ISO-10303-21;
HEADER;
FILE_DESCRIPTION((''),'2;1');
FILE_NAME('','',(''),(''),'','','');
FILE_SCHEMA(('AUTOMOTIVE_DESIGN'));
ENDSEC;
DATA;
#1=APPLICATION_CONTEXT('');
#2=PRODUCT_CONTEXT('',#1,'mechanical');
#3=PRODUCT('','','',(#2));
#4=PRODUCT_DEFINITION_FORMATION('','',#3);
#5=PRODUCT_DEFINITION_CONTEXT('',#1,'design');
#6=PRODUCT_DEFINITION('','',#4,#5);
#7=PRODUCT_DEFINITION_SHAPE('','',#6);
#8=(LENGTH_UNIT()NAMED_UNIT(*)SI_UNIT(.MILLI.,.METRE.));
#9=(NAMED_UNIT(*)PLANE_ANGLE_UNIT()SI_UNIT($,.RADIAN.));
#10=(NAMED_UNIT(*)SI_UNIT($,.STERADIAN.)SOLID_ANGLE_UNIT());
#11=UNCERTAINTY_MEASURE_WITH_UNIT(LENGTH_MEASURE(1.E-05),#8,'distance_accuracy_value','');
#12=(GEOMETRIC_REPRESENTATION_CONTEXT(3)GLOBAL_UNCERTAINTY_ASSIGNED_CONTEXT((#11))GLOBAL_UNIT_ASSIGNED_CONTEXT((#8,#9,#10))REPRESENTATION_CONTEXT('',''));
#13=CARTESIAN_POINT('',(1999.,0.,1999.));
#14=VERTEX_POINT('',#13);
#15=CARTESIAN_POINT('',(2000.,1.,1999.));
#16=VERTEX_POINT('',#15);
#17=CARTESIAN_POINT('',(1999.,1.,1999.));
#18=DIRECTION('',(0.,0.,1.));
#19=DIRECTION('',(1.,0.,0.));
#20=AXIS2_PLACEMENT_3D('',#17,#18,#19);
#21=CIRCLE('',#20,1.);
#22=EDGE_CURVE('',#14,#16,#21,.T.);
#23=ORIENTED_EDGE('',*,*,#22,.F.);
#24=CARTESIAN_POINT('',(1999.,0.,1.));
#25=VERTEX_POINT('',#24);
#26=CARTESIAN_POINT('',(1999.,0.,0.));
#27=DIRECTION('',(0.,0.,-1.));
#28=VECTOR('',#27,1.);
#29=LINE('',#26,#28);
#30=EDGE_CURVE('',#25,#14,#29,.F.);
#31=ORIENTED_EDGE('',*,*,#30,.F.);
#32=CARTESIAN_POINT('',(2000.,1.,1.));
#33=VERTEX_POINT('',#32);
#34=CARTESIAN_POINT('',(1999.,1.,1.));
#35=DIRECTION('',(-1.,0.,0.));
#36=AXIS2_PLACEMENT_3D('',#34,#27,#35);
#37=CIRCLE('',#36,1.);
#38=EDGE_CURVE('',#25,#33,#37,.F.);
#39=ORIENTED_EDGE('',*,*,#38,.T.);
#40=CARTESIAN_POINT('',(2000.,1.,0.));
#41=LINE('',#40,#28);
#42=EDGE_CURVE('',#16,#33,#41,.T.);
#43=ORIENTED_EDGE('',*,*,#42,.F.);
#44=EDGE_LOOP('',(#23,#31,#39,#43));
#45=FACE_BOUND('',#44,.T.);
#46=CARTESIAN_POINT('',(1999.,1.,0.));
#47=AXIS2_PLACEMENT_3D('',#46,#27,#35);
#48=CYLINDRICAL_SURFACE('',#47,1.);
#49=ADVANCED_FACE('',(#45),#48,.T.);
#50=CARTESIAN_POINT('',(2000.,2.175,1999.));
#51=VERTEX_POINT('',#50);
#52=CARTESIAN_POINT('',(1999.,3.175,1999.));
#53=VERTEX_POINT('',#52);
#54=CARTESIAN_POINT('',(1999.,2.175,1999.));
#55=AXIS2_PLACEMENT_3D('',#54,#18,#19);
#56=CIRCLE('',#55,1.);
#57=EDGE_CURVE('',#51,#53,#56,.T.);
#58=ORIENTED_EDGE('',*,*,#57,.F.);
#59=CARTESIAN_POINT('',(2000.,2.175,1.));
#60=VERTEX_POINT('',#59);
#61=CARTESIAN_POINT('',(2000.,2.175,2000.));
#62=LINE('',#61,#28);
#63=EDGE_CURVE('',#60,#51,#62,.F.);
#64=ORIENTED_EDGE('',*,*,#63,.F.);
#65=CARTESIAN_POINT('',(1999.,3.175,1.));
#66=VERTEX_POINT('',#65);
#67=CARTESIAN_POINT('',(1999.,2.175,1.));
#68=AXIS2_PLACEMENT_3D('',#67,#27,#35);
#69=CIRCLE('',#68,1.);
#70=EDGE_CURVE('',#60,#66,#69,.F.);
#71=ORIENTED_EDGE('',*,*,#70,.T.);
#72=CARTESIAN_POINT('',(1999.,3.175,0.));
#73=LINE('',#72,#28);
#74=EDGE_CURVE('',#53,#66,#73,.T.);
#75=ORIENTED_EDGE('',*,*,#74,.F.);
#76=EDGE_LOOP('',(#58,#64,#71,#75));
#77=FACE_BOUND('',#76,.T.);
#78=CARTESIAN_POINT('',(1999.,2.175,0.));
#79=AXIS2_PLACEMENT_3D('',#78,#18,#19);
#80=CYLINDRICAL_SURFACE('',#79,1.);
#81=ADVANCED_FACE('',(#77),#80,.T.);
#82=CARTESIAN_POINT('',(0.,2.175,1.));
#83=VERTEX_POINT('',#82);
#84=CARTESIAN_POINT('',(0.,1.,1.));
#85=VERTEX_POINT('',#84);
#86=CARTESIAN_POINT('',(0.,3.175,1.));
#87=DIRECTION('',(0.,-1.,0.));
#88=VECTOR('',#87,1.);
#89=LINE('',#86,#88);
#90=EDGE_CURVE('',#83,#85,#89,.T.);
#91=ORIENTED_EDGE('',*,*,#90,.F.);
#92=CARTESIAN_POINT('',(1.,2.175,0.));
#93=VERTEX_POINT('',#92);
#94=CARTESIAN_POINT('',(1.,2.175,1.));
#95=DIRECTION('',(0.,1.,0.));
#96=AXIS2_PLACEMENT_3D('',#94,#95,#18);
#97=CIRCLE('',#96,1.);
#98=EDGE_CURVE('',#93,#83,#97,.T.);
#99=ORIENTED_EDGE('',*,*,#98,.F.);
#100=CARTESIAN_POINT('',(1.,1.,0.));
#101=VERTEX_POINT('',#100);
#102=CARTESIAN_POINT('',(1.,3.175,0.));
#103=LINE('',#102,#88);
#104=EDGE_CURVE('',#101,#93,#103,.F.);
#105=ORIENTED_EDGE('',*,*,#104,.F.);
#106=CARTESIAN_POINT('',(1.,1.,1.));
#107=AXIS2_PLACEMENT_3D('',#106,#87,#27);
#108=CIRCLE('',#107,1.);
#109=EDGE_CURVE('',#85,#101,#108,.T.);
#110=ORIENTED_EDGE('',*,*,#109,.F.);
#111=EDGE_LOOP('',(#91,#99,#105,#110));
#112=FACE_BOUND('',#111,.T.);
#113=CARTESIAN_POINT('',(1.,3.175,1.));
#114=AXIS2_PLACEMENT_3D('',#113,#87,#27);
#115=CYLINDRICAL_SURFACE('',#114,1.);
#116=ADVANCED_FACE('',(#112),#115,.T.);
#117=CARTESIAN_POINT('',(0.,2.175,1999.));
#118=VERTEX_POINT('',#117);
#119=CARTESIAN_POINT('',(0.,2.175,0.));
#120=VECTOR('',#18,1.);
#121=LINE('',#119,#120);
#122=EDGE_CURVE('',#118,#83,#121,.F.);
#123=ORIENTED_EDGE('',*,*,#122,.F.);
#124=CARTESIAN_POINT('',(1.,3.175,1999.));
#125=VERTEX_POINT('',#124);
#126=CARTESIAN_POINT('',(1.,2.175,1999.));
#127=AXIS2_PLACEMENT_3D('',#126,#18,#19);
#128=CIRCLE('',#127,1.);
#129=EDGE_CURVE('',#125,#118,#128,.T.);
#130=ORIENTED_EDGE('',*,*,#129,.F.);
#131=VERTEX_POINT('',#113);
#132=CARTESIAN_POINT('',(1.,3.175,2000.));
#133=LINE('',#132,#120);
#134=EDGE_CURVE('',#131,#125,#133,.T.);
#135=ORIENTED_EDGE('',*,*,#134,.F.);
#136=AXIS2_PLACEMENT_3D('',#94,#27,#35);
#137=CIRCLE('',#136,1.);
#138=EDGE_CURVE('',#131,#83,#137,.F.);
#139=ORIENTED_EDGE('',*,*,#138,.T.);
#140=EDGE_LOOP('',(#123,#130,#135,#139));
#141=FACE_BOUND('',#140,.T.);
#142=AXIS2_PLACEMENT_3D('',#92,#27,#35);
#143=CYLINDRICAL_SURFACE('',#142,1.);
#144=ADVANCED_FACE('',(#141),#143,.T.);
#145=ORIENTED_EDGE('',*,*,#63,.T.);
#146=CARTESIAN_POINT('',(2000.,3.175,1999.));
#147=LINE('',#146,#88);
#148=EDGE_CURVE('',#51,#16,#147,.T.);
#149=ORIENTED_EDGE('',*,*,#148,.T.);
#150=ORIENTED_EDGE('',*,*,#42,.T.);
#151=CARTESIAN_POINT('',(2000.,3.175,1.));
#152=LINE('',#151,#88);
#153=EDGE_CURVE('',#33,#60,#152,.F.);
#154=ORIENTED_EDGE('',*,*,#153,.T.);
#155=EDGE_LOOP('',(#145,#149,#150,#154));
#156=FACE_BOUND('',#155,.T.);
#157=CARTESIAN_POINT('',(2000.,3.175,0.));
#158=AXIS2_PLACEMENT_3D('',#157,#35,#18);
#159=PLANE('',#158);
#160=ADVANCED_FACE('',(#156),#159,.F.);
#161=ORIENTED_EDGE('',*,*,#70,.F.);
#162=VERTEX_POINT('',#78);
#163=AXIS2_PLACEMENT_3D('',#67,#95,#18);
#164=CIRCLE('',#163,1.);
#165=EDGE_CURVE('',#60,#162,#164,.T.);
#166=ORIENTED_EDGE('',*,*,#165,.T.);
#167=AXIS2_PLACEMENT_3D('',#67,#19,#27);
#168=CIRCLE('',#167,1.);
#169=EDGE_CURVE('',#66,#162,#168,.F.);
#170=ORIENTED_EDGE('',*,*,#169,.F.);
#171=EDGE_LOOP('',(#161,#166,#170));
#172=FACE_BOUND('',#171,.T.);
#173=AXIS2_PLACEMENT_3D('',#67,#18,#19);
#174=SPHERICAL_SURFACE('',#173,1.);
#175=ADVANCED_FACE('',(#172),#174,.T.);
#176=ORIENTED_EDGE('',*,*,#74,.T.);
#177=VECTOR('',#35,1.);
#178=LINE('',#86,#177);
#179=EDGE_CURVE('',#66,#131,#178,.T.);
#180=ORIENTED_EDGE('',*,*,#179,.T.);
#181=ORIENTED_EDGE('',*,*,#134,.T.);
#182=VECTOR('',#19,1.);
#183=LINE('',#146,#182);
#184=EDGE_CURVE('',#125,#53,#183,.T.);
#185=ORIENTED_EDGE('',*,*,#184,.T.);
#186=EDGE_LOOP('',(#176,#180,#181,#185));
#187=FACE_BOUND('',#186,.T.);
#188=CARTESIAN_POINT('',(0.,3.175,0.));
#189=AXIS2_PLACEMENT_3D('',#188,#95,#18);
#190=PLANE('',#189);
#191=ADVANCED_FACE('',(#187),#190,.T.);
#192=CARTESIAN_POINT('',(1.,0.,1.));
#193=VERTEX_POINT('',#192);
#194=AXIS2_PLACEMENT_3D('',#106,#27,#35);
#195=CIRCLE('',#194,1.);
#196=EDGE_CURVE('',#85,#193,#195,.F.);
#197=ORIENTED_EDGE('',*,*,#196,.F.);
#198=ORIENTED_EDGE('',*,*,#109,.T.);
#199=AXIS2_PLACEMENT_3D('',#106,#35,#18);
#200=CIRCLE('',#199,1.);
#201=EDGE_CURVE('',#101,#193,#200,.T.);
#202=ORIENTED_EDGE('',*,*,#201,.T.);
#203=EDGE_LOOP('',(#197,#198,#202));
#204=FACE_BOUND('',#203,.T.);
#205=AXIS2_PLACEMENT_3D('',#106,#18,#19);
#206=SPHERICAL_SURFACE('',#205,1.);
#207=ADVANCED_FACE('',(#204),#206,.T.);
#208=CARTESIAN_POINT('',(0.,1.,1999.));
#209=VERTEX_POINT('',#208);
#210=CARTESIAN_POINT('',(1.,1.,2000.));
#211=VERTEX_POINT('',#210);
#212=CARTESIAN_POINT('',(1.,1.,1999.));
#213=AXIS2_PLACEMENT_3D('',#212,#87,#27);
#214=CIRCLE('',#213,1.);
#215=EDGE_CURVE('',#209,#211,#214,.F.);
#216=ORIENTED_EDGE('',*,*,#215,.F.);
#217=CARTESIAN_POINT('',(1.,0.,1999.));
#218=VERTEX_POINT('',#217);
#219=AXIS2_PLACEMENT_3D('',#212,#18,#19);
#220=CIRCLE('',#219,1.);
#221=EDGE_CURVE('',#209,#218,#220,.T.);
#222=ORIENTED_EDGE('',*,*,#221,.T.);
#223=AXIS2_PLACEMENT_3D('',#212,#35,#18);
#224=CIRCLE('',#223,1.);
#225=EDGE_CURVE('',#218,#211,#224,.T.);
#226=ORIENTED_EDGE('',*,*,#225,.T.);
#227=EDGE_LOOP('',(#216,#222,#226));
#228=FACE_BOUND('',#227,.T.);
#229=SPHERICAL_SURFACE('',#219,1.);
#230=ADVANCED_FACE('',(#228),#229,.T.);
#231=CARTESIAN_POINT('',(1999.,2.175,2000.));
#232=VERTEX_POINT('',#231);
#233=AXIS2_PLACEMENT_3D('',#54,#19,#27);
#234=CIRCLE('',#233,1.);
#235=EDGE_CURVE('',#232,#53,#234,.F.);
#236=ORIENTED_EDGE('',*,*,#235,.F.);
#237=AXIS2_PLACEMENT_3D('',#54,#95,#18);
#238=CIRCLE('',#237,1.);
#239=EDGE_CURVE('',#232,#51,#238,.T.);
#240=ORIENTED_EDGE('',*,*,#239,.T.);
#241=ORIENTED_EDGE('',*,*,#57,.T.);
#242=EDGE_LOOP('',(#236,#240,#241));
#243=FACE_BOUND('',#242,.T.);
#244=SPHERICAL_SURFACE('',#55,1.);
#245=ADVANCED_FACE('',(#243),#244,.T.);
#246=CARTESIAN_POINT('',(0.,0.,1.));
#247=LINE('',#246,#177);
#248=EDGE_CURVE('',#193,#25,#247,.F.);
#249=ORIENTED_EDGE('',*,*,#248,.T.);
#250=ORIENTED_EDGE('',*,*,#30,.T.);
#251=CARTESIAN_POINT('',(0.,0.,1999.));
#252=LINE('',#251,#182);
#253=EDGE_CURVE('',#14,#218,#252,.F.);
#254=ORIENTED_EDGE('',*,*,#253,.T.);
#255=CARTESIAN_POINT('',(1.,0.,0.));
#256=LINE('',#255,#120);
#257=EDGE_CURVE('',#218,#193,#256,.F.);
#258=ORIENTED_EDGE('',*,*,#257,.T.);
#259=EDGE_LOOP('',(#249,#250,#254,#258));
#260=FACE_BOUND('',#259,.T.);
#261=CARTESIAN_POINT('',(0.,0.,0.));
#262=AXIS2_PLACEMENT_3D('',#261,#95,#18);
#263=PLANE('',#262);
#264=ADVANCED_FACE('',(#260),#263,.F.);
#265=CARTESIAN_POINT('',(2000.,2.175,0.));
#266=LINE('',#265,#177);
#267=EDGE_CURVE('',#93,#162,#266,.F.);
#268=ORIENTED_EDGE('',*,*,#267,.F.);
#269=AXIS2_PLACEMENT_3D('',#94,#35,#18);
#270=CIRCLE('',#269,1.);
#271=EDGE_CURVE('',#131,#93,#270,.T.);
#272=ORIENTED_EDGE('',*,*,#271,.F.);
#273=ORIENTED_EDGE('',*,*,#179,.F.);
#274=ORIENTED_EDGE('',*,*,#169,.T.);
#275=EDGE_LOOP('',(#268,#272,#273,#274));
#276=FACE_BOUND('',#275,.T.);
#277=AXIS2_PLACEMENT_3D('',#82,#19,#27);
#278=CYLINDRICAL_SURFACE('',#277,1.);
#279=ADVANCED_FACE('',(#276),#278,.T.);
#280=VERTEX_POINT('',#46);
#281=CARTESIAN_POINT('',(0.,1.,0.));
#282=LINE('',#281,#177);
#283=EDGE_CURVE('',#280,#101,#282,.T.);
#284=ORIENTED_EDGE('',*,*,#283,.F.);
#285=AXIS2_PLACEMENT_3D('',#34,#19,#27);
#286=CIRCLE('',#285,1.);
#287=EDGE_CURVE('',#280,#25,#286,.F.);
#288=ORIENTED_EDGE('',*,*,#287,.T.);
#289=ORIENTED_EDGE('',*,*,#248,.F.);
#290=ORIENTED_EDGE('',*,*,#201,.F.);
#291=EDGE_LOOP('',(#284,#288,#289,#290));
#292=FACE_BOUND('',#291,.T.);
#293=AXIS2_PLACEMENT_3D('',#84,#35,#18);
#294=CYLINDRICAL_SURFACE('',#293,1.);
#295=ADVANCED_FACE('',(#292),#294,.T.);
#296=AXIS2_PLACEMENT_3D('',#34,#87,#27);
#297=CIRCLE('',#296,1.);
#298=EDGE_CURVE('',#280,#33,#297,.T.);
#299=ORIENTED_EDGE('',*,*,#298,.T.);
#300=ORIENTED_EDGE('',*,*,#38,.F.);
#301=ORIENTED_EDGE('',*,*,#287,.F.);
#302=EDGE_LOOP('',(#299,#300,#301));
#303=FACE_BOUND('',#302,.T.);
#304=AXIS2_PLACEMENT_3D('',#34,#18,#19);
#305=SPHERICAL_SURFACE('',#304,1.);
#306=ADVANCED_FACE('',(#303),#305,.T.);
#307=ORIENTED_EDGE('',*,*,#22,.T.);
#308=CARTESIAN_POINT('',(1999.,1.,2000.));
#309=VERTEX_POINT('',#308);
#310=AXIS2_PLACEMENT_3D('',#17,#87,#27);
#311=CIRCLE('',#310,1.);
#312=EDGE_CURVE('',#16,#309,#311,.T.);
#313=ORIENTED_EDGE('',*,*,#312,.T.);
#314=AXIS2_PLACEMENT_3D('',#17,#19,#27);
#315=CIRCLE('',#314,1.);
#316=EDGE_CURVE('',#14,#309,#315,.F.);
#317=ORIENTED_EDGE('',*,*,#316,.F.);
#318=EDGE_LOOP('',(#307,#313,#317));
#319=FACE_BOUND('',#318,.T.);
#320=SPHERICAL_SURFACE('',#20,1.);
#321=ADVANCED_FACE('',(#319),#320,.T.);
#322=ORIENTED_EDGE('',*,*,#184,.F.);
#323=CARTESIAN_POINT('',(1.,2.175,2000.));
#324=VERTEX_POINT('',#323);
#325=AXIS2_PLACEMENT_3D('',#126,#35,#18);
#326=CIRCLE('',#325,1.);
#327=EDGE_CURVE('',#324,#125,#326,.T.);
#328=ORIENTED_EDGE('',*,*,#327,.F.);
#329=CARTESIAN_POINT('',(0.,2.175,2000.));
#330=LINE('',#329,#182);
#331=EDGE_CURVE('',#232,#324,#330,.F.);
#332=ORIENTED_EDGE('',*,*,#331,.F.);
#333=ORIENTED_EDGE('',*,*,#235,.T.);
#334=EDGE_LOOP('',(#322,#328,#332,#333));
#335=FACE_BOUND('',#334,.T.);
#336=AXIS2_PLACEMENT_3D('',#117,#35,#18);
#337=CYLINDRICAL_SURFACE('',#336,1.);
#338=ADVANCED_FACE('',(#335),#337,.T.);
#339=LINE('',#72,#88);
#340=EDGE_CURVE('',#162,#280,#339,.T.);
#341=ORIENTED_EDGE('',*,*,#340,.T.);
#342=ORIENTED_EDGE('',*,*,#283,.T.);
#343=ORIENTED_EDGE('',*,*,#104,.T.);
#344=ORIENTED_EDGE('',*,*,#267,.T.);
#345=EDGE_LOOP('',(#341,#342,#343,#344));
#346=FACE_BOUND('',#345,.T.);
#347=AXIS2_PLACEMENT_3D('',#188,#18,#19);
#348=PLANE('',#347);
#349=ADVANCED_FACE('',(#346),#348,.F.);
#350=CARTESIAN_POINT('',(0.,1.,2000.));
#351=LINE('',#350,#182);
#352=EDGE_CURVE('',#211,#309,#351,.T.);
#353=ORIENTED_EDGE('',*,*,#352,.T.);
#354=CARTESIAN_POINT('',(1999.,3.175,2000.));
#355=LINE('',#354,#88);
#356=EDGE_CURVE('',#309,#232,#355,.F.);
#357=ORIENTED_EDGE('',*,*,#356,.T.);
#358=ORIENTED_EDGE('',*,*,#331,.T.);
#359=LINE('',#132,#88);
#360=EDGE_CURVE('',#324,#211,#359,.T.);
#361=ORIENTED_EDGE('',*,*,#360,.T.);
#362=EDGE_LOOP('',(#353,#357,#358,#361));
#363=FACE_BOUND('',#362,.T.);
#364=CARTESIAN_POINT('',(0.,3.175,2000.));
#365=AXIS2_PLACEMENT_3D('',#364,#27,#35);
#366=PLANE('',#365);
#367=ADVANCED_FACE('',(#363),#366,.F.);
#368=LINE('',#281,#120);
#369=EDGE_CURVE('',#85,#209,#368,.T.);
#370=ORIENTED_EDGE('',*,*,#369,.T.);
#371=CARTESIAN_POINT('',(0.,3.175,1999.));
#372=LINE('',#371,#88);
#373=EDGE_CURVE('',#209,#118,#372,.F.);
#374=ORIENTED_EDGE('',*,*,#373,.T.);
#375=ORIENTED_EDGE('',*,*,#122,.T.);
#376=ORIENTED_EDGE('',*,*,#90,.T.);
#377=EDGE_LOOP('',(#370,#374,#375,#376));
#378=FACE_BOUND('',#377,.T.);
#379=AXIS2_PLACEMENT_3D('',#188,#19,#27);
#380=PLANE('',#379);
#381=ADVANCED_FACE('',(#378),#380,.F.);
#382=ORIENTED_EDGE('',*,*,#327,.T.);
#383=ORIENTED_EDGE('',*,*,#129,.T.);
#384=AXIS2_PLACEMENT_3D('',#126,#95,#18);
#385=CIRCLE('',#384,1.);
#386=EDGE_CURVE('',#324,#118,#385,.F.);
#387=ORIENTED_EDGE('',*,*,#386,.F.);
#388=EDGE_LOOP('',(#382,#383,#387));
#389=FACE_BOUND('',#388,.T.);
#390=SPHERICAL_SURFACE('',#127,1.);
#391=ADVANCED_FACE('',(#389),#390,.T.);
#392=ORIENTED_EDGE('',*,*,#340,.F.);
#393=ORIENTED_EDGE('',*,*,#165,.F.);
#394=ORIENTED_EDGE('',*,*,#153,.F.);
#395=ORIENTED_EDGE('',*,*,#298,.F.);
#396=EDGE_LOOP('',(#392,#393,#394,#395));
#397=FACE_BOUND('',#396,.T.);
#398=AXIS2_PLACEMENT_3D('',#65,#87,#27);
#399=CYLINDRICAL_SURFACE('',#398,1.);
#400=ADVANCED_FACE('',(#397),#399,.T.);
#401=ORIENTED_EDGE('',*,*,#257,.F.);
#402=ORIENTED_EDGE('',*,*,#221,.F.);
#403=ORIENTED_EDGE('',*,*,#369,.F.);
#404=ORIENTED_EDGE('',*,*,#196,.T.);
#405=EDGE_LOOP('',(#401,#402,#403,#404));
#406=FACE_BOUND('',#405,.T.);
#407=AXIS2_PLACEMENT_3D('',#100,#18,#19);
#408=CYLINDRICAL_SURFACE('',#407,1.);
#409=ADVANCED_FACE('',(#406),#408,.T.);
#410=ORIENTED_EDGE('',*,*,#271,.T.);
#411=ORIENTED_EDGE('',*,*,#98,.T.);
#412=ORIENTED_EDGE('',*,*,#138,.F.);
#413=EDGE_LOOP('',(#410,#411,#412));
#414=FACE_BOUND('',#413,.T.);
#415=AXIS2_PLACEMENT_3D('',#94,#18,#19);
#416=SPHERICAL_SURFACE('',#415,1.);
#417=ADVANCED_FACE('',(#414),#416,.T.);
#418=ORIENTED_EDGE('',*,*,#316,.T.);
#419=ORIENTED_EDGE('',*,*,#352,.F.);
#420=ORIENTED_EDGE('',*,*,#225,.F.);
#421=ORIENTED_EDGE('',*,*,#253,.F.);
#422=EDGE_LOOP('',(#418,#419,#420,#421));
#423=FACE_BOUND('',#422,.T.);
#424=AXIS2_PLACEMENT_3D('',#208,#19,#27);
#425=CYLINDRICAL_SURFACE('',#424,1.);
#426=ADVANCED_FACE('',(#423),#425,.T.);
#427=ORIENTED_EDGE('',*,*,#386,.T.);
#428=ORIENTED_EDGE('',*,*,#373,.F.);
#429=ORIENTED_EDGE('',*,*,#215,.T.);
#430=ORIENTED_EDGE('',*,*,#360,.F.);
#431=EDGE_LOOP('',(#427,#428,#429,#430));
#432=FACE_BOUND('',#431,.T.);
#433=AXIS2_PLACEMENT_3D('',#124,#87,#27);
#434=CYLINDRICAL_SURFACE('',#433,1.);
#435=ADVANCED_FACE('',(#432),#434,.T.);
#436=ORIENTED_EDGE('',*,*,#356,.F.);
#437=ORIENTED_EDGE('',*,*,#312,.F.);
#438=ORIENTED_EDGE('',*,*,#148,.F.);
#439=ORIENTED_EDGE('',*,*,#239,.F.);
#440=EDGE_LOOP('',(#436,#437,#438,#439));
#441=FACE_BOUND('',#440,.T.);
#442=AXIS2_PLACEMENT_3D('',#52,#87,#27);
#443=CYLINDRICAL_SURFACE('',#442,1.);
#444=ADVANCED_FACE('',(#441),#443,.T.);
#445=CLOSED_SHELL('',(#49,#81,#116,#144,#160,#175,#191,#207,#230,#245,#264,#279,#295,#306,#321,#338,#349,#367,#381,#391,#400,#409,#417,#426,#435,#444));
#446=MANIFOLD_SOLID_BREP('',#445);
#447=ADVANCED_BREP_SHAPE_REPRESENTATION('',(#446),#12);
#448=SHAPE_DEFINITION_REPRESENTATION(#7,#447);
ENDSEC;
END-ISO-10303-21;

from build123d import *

# Parameters (mm, degrees)
SKETCH1_W           = 2000
SKETCH1_H           = 2000
BOSS_EXTRUDE1_DEPTH = 3.175
FILLET1_R           = 1


with BuildPart() as part:
    # Sketch1 → Boss-Extrude1 (new body)
    with BuildSketch(Plane(origin=(0, 0, 0), x_dir=(1, 0, 0), z_dir=(0, 1, 0))):
        with Locations((1000, -1000)):
            Rectangle(SKETCH1_W, SKETCH1_H)
    extrude(amount=BOSS_EXTRUDE1_DEPTH)

    # Fillet1
    fillet1_edges = [part.edges().sort_by_distance(p)[0] for p in [
        (2000, 3.175, 1000),
        (1000, 3.175, 0),
        (0, 3.175, 1000),
        (1000, 0, 0),
        (2000, 0, 1000),
        (1000, 0, 2000),
        (0, 0, 1000),
        (1000, 3.175, 2000),
        (0, 1.5875, 0),
        (2000, 1.5875, 0),
        (2000, 1.5875, 2000),
        (0, 1.5875, 2000),
    ]]
    fillet(fillet1_edges, radius=FILLET1_R)


solid = part.part
